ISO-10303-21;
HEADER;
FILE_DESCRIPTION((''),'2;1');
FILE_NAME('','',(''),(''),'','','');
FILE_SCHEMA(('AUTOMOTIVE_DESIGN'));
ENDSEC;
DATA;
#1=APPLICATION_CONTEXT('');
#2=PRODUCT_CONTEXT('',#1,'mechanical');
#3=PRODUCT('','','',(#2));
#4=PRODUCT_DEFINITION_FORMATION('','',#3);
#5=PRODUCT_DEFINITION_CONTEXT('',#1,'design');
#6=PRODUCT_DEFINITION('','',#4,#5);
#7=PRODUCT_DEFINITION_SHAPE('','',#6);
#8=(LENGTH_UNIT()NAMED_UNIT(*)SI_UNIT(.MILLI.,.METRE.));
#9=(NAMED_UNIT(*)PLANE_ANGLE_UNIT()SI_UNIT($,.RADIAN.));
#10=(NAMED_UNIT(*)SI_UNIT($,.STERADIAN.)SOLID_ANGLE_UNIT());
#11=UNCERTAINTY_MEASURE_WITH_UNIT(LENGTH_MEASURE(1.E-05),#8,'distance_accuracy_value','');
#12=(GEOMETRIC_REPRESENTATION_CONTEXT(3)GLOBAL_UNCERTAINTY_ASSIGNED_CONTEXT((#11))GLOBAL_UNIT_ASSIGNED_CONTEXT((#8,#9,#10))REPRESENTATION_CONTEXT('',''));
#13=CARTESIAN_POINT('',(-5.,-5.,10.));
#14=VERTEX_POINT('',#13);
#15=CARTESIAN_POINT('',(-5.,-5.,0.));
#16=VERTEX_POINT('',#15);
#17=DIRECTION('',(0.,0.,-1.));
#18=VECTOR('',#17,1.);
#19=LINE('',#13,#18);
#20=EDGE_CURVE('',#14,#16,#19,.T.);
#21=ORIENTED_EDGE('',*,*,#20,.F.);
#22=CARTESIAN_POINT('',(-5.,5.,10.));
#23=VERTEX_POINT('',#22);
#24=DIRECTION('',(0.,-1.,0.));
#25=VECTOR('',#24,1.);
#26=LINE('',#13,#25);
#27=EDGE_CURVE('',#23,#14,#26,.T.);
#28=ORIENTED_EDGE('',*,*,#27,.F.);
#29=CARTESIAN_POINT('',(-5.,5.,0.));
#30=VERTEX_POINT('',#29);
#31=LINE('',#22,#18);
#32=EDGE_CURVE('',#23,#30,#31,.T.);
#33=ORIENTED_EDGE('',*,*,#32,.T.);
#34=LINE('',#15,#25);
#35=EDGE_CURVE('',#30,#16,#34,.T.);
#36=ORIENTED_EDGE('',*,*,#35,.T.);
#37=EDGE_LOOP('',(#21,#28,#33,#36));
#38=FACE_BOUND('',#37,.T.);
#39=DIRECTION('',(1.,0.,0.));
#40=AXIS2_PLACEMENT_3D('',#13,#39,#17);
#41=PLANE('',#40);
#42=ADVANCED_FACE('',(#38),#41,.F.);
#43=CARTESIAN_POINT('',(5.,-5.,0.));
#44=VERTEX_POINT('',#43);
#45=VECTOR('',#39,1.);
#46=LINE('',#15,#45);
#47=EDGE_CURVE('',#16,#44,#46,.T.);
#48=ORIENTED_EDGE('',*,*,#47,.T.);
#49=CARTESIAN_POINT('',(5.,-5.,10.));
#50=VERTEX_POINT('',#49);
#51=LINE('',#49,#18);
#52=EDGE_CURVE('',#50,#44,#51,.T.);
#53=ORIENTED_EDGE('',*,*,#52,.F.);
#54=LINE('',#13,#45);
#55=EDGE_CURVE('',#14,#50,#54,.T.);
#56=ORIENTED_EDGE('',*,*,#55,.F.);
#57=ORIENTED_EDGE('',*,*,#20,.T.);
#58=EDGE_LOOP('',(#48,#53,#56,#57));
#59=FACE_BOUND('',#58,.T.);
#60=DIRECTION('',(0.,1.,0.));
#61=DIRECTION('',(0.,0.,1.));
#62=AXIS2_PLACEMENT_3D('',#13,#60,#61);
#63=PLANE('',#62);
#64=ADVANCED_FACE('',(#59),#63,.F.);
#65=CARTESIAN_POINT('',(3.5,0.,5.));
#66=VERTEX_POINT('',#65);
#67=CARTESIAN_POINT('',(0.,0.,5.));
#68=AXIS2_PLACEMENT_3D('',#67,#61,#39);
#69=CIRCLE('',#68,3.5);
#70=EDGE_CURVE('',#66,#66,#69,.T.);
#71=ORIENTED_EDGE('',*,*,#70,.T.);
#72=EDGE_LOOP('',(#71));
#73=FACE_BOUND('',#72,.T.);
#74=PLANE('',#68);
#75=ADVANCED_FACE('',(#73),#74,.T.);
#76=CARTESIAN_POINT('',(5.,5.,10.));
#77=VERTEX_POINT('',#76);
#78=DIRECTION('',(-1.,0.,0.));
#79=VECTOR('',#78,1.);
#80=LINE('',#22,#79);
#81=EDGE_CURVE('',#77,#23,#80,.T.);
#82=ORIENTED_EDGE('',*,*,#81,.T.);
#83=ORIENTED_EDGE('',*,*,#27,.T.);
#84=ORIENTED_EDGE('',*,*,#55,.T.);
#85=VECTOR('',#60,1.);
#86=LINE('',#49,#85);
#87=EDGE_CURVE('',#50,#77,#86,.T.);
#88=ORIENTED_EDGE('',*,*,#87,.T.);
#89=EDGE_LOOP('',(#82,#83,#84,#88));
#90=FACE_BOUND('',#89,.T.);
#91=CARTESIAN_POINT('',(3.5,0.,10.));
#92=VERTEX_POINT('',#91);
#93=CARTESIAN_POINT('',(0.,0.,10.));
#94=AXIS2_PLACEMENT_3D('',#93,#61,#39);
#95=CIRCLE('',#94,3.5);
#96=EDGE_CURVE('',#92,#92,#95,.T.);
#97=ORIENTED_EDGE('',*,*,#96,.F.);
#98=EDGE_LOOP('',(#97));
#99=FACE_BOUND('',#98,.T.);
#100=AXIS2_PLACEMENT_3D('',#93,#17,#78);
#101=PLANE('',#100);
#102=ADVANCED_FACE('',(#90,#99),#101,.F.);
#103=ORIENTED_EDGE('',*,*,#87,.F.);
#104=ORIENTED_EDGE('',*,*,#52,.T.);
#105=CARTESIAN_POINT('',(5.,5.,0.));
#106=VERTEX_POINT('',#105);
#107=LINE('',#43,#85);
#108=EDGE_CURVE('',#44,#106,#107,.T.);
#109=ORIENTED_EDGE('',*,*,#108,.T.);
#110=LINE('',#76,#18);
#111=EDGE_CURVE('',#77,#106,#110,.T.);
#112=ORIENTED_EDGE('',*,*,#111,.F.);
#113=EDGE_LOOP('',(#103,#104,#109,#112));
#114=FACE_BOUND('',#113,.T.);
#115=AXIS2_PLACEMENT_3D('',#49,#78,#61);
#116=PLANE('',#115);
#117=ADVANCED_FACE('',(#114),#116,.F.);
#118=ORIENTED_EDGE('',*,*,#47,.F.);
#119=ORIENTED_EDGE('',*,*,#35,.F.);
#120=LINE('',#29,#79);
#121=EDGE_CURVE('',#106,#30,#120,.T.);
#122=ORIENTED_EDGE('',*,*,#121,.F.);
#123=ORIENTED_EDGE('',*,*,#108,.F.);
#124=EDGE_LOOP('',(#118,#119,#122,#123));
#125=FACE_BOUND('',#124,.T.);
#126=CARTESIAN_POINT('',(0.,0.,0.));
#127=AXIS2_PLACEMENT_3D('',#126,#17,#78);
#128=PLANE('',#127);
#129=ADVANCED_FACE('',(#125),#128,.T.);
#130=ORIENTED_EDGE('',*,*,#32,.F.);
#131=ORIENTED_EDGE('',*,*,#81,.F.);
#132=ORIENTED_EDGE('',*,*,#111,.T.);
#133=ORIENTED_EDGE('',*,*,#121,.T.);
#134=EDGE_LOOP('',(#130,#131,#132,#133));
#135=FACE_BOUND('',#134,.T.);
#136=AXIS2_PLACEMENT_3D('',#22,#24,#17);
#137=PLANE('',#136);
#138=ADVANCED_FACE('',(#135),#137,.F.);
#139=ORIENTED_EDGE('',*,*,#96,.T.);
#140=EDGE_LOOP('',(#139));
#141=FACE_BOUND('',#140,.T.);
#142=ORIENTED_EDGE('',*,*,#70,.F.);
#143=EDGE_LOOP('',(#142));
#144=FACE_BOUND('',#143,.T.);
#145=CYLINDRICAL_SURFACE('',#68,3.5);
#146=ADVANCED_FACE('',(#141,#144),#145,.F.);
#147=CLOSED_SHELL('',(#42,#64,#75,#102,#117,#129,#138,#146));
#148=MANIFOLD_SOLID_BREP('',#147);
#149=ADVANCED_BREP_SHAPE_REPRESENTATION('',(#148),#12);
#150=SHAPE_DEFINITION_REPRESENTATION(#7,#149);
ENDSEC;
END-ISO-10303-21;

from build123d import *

# Parameters (mm, degrees)
SKETCH1_W           = 10
SKETCH1_H           = 10
BOSS_EXTRUDE1_DEPTH = 10
SKETCH2_R           = 3.5
CUT_EXTRUDE1_DEPTH  = 5


with BuildPart() as part:
    # Sketch1 → Boss-Extrude1 (new body)
    with BuildSketch(Plane.XY):
        Rectangle(SKETCH1_W, SKETCH1_H)
    extrude(amount=BOSS_EXTRUDE1_DEPTH)

    # Sketch2 → Cut-Extrude1 (cut)
    with BuildSketch(Plane.XY.offset(10)):
        Circle(SKETCH2_R)
    extrude(amount=-CUT_EXTRUDE1_DEPTH, mode=Mode.SUBTRACT)


solid = part.part
